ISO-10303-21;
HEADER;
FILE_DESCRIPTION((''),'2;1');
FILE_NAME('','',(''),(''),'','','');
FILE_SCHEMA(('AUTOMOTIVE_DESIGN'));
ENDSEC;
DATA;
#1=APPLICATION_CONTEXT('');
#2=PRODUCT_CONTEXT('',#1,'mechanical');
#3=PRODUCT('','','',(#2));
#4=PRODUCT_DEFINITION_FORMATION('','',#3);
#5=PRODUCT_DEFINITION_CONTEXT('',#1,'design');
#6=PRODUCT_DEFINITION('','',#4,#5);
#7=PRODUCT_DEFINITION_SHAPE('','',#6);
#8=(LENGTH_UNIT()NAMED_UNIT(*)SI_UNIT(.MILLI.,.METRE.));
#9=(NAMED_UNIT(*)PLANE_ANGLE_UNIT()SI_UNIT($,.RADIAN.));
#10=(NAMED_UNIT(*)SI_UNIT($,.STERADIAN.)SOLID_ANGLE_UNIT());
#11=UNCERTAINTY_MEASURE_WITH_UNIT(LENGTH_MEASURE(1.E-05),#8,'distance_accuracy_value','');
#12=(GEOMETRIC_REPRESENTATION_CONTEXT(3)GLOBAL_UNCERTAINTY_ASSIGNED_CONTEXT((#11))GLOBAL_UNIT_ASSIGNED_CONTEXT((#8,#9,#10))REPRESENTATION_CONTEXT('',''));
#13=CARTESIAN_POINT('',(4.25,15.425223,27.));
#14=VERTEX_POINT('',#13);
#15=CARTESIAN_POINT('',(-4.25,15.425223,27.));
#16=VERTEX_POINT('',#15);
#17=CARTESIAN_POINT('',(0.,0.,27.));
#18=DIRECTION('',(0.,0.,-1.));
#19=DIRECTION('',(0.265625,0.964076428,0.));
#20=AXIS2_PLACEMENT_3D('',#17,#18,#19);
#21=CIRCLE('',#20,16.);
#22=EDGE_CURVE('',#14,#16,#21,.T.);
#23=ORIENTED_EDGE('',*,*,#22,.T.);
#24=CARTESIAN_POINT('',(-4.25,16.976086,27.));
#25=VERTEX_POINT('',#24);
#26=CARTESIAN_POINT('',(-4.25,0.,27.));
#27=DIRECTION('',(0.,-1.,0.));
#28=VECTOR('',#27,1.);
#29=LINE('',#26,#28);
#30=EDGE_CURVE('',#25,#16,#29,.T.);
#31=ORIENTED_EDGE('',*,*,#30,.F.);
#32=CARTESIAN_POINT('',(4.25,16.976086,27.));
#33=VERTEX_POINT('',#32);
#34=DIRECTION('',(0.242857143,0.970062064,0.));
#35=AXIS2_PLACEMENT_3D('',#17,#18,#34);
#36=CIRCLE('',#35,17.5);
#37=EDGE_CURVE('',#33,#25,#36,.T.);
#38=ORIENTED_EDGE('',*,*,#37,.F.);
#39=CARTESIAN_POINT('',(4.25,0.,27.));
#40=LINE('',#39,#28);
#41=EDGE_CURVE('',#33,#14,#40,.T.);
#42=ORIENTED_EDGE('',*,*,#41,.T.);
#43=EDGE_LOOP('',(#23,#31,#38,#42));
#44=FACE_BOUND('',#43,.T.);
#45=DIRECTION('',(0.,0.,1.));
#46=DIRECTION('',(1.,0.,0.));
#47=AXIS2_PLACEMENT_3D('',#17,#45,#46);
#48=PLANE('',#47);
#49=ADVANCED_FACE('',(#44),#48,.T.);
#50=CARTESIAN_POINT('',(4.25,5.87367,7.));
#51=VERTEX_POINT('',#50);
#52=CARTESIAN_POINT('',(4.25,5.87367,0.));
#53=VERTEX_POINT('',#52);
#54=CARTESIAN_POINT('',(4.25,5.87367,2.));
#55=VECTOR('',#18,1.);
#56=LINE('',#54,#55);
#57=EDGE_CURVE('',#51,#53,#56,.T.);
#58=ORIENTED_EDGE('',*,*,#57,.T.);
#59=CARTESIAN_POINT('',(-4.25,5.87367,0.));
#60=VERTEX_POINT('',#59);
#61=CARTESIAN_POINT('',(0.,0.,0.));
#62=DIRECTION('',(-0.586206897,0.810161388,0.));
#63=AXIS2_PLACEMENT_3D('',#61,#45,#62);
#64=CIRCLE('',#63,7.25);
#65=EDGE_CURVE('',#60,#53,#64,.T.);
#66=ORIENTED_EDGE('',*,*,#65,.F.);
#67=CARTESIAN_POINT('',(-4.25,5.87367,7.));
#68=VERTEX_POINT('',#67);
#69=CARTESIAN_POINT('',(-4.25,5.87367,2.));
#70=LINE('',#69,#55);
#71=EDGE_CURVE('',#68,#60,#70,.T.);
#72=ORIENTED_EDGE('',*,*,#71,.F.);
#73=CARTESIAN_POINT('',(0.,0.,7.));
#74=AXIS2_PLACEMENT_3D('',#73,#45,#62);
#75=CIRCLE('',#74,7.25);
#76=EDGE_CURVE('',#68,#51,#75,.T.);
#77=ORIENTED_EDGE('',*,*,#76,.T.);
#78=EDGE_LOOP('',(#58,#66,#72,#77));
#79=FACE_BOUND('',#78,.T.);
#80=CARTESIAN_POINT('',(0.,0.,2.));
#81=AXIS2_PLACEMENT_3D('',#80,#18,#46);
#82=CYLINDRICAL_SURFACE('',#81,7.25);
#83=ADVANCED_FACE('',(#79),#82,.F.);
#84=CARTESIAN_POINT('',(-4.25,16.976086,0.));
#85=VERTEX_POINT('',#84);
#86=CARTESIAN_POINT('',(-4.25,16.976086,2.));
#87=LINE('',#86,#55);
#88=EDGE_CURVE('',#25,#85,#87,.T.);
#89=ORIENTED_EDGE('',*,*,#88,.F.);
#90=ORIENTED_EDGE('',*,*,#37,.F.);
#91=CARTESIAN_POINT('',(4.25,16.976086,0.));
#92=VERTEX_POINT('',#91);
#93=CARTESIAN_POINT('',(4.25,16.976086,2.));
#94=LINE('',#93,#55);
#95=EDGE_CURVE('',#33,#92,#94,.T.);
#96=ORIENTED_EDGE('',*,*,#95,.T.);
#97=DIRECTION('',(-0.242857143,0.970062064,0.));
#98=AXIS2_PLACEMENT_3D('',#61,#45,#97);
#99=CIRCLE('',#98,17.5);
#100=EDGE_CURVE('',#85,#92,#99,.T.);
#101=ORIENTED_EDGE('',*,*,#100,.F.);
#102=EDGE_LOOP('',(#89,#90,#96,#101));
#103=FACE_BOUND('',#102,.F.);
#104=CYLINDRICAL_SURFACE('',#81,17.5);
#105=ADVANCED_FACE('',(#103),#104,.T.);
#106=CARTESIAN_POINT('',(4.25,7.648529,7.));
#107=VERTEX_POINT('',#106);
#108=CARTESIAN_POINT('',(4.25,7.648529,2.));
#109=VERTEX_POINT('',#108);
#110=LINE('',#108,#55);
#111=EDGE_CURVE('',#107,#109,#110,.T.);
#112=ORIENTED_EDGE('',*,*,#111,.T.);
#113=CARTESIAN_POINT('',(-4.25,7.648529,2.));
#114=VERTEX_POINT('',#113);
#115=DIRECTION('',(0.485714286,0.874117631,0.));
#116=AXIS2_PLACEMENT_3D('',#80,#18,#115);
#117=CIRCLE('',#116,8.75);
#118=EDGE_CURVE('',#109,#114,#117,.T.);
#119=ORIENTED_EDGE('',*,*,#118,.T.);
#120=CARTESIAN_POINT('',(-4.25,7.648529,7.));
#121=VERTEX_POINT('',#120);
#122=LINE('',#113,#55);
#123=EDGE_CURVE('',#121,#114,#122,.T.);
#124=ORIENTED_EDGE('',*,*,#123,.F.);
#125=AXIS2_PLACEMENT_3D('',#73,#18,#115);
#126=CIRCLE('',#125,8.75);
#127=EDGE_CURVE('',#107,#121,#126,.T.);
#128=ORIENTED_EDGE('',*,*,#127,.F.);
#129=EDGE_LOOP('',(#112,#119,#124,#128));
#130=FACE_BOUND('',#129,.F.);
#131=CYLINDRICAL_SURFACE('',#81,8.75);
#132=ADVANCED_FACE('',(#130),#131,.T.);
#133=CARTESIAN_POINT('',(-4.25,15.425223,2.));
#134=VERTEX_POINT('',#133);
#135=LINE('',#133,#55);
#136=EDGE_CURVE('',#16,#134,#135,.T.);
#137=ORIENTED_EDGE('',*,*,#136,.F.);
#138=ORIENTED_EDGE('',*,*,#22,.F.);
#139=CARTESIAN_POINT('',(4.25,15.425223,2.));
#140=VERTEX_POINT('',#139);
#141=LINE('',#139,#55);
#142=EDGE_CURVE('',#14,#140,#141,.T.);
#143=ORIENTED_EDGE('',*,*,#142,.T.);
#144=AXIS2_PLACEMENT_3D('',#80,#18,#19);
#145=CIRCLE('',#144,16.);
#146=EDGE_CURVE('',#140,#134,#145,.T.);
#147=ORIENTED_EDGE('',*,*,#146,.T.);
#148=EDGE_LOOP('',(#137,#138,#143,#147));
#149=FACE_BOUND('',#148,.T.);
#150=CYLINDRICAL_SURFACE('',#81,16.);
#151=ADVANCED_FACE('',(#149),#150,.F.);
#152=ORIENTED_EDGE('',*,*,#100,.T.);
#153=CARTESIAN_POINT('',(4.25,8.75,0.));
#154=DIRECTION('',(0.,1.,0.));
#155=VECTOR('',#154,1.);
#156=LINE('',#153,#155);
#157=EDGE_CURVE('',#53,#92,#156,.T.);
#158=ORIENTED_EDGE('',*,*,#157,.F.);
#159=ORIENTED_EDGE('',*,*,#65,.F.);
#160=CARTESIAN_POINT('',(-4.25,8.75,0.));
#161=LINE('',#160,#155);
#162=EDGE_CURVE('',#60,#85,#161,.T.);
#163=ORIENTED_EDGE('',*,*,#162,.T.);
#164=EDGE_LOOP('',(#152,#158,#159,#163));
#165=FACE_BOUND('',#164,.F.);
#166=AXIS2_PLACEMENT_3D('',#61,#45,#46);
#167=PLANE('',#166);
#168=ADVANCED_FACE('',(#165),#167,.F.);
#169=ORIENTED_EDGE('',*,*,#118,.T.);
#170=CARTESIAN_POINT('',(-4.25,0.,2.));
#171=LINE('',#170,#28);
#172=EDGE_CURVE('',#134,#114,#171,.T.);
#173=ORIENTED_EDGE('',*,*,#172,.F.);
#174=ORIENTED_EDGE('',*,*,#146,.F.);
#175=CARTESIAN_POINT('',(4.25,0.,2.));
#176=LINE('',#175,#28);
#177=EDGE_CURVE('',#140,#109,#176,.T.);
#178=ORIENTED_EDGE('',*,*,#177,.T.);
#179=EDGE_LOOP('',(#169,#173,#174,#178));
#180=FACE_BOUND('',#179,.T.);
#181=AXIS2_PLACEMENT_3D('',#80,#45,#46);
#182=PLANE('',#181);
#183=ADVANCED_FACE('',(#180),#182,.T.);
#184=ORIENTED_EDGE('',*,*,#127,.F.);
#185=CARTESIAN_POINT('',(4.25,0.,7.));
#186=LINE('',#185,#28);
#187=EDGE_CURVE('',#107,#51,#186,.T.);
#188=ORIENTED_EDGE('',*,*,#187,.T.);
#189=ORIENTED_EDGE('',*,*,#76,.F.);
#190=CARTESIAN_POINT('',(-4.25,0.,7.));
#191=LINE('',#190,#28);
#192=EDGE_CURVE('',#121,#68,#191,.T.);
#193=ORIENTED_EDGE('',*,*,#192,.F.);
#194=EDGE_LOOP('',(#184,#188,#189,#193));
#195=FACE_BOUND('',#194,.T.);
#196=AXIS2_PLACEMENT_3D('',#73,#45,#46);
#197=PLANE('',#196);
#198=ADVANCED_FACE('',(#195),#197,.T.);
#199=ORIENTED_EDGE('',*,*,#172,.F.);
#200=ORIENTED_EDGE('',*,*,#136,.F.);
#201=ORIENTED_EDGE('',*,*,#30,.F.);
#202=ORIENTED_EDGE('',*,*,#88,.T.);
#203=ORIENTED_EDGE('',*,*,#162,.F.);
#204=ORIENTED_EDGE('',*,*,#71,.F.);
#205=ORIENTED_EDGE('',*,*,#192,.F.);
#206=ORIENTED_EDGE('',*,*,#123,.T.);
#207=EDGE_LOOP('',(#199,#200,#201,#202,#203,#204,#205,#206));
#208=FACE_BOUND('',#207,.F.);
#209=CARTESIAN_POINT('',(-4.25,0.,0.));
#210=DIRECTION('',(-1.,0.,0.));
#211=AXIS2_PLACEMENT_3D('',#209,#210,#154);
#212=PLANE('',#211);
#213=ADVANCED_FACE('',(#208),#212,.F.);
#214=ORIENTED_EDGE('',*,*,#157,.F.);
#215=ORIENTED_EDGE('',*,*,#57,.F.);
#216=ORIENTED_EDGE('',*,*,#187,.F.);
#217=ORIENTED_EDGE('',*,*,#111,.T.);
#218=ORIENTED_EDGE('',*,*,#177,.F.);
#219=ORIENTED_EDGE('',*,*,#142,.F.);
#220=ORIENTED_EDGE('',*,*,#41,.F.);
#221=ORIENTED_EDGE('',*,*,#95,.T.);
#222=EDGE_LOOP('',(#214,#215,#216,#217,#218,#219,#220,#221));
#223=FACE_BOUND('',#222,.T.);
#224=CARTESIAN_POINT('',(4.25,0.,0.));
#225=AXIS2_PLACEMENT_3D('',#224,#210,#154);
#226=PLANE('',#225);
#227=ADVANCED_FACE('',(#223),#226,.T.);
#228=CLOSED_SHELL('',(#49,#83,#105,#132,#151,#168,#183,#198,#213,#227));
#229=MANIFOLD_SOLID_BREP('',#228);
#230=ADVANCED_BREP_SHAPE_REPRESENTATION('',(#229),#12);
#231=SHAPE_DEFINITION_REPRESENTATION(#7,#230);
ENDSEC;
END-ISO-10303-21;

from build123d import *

# Parameters (mm, degrees)
F0_R     = 17.5
F0_R_2   = 7.25
F1_DEPTH = 2
F2_R     = 8.75
F2_R_2   = 7.25
F3_DEPTH = 5
F2_R_3   = 17.5
F2_R_4   = 16
F4_DEPTH = 25
F5_W     = 8.5
F5_H     = 17.5
F6_DEPTH = 27.001


with BuildPart() as f1:
    # F0 (on Top) → F1 (new body)
    with BuildSketch(Plane.XY):
        Circle(F0_R)
        Circle(F0_R_2, mode=Mode.SUBTRACT)
    extrude(amount=F1_DEPTH)

    # F2 (on face) → F3 (join)
    with BuildSketch(Plane.XY.offset(2)):
        Circle(F2_R)
        Circle(F2_R_2, mode=Mode.SUBTRACT)
    extrude(amount=F3_DEPTH)

    # F2 (on face) → F4 (join)
    with BuildSketch(Plane.XY.offset(2)):
        Circle(F2_R_3)
        Circle(F2_R_4, mode=Mode.SUBTRACT)
    extrude(amount=F4_DEPTH)

    # F5 (on Top) → F6 (cut, through all)
    with BuildSketch(Plane.XY):
        with Locations((0, 8.75)):
            Rectangle(F5_W, F5_H)
    extrude(amount=F6_DEPTH, mode=Mode.SUBTRACT)


solid = f1.part
